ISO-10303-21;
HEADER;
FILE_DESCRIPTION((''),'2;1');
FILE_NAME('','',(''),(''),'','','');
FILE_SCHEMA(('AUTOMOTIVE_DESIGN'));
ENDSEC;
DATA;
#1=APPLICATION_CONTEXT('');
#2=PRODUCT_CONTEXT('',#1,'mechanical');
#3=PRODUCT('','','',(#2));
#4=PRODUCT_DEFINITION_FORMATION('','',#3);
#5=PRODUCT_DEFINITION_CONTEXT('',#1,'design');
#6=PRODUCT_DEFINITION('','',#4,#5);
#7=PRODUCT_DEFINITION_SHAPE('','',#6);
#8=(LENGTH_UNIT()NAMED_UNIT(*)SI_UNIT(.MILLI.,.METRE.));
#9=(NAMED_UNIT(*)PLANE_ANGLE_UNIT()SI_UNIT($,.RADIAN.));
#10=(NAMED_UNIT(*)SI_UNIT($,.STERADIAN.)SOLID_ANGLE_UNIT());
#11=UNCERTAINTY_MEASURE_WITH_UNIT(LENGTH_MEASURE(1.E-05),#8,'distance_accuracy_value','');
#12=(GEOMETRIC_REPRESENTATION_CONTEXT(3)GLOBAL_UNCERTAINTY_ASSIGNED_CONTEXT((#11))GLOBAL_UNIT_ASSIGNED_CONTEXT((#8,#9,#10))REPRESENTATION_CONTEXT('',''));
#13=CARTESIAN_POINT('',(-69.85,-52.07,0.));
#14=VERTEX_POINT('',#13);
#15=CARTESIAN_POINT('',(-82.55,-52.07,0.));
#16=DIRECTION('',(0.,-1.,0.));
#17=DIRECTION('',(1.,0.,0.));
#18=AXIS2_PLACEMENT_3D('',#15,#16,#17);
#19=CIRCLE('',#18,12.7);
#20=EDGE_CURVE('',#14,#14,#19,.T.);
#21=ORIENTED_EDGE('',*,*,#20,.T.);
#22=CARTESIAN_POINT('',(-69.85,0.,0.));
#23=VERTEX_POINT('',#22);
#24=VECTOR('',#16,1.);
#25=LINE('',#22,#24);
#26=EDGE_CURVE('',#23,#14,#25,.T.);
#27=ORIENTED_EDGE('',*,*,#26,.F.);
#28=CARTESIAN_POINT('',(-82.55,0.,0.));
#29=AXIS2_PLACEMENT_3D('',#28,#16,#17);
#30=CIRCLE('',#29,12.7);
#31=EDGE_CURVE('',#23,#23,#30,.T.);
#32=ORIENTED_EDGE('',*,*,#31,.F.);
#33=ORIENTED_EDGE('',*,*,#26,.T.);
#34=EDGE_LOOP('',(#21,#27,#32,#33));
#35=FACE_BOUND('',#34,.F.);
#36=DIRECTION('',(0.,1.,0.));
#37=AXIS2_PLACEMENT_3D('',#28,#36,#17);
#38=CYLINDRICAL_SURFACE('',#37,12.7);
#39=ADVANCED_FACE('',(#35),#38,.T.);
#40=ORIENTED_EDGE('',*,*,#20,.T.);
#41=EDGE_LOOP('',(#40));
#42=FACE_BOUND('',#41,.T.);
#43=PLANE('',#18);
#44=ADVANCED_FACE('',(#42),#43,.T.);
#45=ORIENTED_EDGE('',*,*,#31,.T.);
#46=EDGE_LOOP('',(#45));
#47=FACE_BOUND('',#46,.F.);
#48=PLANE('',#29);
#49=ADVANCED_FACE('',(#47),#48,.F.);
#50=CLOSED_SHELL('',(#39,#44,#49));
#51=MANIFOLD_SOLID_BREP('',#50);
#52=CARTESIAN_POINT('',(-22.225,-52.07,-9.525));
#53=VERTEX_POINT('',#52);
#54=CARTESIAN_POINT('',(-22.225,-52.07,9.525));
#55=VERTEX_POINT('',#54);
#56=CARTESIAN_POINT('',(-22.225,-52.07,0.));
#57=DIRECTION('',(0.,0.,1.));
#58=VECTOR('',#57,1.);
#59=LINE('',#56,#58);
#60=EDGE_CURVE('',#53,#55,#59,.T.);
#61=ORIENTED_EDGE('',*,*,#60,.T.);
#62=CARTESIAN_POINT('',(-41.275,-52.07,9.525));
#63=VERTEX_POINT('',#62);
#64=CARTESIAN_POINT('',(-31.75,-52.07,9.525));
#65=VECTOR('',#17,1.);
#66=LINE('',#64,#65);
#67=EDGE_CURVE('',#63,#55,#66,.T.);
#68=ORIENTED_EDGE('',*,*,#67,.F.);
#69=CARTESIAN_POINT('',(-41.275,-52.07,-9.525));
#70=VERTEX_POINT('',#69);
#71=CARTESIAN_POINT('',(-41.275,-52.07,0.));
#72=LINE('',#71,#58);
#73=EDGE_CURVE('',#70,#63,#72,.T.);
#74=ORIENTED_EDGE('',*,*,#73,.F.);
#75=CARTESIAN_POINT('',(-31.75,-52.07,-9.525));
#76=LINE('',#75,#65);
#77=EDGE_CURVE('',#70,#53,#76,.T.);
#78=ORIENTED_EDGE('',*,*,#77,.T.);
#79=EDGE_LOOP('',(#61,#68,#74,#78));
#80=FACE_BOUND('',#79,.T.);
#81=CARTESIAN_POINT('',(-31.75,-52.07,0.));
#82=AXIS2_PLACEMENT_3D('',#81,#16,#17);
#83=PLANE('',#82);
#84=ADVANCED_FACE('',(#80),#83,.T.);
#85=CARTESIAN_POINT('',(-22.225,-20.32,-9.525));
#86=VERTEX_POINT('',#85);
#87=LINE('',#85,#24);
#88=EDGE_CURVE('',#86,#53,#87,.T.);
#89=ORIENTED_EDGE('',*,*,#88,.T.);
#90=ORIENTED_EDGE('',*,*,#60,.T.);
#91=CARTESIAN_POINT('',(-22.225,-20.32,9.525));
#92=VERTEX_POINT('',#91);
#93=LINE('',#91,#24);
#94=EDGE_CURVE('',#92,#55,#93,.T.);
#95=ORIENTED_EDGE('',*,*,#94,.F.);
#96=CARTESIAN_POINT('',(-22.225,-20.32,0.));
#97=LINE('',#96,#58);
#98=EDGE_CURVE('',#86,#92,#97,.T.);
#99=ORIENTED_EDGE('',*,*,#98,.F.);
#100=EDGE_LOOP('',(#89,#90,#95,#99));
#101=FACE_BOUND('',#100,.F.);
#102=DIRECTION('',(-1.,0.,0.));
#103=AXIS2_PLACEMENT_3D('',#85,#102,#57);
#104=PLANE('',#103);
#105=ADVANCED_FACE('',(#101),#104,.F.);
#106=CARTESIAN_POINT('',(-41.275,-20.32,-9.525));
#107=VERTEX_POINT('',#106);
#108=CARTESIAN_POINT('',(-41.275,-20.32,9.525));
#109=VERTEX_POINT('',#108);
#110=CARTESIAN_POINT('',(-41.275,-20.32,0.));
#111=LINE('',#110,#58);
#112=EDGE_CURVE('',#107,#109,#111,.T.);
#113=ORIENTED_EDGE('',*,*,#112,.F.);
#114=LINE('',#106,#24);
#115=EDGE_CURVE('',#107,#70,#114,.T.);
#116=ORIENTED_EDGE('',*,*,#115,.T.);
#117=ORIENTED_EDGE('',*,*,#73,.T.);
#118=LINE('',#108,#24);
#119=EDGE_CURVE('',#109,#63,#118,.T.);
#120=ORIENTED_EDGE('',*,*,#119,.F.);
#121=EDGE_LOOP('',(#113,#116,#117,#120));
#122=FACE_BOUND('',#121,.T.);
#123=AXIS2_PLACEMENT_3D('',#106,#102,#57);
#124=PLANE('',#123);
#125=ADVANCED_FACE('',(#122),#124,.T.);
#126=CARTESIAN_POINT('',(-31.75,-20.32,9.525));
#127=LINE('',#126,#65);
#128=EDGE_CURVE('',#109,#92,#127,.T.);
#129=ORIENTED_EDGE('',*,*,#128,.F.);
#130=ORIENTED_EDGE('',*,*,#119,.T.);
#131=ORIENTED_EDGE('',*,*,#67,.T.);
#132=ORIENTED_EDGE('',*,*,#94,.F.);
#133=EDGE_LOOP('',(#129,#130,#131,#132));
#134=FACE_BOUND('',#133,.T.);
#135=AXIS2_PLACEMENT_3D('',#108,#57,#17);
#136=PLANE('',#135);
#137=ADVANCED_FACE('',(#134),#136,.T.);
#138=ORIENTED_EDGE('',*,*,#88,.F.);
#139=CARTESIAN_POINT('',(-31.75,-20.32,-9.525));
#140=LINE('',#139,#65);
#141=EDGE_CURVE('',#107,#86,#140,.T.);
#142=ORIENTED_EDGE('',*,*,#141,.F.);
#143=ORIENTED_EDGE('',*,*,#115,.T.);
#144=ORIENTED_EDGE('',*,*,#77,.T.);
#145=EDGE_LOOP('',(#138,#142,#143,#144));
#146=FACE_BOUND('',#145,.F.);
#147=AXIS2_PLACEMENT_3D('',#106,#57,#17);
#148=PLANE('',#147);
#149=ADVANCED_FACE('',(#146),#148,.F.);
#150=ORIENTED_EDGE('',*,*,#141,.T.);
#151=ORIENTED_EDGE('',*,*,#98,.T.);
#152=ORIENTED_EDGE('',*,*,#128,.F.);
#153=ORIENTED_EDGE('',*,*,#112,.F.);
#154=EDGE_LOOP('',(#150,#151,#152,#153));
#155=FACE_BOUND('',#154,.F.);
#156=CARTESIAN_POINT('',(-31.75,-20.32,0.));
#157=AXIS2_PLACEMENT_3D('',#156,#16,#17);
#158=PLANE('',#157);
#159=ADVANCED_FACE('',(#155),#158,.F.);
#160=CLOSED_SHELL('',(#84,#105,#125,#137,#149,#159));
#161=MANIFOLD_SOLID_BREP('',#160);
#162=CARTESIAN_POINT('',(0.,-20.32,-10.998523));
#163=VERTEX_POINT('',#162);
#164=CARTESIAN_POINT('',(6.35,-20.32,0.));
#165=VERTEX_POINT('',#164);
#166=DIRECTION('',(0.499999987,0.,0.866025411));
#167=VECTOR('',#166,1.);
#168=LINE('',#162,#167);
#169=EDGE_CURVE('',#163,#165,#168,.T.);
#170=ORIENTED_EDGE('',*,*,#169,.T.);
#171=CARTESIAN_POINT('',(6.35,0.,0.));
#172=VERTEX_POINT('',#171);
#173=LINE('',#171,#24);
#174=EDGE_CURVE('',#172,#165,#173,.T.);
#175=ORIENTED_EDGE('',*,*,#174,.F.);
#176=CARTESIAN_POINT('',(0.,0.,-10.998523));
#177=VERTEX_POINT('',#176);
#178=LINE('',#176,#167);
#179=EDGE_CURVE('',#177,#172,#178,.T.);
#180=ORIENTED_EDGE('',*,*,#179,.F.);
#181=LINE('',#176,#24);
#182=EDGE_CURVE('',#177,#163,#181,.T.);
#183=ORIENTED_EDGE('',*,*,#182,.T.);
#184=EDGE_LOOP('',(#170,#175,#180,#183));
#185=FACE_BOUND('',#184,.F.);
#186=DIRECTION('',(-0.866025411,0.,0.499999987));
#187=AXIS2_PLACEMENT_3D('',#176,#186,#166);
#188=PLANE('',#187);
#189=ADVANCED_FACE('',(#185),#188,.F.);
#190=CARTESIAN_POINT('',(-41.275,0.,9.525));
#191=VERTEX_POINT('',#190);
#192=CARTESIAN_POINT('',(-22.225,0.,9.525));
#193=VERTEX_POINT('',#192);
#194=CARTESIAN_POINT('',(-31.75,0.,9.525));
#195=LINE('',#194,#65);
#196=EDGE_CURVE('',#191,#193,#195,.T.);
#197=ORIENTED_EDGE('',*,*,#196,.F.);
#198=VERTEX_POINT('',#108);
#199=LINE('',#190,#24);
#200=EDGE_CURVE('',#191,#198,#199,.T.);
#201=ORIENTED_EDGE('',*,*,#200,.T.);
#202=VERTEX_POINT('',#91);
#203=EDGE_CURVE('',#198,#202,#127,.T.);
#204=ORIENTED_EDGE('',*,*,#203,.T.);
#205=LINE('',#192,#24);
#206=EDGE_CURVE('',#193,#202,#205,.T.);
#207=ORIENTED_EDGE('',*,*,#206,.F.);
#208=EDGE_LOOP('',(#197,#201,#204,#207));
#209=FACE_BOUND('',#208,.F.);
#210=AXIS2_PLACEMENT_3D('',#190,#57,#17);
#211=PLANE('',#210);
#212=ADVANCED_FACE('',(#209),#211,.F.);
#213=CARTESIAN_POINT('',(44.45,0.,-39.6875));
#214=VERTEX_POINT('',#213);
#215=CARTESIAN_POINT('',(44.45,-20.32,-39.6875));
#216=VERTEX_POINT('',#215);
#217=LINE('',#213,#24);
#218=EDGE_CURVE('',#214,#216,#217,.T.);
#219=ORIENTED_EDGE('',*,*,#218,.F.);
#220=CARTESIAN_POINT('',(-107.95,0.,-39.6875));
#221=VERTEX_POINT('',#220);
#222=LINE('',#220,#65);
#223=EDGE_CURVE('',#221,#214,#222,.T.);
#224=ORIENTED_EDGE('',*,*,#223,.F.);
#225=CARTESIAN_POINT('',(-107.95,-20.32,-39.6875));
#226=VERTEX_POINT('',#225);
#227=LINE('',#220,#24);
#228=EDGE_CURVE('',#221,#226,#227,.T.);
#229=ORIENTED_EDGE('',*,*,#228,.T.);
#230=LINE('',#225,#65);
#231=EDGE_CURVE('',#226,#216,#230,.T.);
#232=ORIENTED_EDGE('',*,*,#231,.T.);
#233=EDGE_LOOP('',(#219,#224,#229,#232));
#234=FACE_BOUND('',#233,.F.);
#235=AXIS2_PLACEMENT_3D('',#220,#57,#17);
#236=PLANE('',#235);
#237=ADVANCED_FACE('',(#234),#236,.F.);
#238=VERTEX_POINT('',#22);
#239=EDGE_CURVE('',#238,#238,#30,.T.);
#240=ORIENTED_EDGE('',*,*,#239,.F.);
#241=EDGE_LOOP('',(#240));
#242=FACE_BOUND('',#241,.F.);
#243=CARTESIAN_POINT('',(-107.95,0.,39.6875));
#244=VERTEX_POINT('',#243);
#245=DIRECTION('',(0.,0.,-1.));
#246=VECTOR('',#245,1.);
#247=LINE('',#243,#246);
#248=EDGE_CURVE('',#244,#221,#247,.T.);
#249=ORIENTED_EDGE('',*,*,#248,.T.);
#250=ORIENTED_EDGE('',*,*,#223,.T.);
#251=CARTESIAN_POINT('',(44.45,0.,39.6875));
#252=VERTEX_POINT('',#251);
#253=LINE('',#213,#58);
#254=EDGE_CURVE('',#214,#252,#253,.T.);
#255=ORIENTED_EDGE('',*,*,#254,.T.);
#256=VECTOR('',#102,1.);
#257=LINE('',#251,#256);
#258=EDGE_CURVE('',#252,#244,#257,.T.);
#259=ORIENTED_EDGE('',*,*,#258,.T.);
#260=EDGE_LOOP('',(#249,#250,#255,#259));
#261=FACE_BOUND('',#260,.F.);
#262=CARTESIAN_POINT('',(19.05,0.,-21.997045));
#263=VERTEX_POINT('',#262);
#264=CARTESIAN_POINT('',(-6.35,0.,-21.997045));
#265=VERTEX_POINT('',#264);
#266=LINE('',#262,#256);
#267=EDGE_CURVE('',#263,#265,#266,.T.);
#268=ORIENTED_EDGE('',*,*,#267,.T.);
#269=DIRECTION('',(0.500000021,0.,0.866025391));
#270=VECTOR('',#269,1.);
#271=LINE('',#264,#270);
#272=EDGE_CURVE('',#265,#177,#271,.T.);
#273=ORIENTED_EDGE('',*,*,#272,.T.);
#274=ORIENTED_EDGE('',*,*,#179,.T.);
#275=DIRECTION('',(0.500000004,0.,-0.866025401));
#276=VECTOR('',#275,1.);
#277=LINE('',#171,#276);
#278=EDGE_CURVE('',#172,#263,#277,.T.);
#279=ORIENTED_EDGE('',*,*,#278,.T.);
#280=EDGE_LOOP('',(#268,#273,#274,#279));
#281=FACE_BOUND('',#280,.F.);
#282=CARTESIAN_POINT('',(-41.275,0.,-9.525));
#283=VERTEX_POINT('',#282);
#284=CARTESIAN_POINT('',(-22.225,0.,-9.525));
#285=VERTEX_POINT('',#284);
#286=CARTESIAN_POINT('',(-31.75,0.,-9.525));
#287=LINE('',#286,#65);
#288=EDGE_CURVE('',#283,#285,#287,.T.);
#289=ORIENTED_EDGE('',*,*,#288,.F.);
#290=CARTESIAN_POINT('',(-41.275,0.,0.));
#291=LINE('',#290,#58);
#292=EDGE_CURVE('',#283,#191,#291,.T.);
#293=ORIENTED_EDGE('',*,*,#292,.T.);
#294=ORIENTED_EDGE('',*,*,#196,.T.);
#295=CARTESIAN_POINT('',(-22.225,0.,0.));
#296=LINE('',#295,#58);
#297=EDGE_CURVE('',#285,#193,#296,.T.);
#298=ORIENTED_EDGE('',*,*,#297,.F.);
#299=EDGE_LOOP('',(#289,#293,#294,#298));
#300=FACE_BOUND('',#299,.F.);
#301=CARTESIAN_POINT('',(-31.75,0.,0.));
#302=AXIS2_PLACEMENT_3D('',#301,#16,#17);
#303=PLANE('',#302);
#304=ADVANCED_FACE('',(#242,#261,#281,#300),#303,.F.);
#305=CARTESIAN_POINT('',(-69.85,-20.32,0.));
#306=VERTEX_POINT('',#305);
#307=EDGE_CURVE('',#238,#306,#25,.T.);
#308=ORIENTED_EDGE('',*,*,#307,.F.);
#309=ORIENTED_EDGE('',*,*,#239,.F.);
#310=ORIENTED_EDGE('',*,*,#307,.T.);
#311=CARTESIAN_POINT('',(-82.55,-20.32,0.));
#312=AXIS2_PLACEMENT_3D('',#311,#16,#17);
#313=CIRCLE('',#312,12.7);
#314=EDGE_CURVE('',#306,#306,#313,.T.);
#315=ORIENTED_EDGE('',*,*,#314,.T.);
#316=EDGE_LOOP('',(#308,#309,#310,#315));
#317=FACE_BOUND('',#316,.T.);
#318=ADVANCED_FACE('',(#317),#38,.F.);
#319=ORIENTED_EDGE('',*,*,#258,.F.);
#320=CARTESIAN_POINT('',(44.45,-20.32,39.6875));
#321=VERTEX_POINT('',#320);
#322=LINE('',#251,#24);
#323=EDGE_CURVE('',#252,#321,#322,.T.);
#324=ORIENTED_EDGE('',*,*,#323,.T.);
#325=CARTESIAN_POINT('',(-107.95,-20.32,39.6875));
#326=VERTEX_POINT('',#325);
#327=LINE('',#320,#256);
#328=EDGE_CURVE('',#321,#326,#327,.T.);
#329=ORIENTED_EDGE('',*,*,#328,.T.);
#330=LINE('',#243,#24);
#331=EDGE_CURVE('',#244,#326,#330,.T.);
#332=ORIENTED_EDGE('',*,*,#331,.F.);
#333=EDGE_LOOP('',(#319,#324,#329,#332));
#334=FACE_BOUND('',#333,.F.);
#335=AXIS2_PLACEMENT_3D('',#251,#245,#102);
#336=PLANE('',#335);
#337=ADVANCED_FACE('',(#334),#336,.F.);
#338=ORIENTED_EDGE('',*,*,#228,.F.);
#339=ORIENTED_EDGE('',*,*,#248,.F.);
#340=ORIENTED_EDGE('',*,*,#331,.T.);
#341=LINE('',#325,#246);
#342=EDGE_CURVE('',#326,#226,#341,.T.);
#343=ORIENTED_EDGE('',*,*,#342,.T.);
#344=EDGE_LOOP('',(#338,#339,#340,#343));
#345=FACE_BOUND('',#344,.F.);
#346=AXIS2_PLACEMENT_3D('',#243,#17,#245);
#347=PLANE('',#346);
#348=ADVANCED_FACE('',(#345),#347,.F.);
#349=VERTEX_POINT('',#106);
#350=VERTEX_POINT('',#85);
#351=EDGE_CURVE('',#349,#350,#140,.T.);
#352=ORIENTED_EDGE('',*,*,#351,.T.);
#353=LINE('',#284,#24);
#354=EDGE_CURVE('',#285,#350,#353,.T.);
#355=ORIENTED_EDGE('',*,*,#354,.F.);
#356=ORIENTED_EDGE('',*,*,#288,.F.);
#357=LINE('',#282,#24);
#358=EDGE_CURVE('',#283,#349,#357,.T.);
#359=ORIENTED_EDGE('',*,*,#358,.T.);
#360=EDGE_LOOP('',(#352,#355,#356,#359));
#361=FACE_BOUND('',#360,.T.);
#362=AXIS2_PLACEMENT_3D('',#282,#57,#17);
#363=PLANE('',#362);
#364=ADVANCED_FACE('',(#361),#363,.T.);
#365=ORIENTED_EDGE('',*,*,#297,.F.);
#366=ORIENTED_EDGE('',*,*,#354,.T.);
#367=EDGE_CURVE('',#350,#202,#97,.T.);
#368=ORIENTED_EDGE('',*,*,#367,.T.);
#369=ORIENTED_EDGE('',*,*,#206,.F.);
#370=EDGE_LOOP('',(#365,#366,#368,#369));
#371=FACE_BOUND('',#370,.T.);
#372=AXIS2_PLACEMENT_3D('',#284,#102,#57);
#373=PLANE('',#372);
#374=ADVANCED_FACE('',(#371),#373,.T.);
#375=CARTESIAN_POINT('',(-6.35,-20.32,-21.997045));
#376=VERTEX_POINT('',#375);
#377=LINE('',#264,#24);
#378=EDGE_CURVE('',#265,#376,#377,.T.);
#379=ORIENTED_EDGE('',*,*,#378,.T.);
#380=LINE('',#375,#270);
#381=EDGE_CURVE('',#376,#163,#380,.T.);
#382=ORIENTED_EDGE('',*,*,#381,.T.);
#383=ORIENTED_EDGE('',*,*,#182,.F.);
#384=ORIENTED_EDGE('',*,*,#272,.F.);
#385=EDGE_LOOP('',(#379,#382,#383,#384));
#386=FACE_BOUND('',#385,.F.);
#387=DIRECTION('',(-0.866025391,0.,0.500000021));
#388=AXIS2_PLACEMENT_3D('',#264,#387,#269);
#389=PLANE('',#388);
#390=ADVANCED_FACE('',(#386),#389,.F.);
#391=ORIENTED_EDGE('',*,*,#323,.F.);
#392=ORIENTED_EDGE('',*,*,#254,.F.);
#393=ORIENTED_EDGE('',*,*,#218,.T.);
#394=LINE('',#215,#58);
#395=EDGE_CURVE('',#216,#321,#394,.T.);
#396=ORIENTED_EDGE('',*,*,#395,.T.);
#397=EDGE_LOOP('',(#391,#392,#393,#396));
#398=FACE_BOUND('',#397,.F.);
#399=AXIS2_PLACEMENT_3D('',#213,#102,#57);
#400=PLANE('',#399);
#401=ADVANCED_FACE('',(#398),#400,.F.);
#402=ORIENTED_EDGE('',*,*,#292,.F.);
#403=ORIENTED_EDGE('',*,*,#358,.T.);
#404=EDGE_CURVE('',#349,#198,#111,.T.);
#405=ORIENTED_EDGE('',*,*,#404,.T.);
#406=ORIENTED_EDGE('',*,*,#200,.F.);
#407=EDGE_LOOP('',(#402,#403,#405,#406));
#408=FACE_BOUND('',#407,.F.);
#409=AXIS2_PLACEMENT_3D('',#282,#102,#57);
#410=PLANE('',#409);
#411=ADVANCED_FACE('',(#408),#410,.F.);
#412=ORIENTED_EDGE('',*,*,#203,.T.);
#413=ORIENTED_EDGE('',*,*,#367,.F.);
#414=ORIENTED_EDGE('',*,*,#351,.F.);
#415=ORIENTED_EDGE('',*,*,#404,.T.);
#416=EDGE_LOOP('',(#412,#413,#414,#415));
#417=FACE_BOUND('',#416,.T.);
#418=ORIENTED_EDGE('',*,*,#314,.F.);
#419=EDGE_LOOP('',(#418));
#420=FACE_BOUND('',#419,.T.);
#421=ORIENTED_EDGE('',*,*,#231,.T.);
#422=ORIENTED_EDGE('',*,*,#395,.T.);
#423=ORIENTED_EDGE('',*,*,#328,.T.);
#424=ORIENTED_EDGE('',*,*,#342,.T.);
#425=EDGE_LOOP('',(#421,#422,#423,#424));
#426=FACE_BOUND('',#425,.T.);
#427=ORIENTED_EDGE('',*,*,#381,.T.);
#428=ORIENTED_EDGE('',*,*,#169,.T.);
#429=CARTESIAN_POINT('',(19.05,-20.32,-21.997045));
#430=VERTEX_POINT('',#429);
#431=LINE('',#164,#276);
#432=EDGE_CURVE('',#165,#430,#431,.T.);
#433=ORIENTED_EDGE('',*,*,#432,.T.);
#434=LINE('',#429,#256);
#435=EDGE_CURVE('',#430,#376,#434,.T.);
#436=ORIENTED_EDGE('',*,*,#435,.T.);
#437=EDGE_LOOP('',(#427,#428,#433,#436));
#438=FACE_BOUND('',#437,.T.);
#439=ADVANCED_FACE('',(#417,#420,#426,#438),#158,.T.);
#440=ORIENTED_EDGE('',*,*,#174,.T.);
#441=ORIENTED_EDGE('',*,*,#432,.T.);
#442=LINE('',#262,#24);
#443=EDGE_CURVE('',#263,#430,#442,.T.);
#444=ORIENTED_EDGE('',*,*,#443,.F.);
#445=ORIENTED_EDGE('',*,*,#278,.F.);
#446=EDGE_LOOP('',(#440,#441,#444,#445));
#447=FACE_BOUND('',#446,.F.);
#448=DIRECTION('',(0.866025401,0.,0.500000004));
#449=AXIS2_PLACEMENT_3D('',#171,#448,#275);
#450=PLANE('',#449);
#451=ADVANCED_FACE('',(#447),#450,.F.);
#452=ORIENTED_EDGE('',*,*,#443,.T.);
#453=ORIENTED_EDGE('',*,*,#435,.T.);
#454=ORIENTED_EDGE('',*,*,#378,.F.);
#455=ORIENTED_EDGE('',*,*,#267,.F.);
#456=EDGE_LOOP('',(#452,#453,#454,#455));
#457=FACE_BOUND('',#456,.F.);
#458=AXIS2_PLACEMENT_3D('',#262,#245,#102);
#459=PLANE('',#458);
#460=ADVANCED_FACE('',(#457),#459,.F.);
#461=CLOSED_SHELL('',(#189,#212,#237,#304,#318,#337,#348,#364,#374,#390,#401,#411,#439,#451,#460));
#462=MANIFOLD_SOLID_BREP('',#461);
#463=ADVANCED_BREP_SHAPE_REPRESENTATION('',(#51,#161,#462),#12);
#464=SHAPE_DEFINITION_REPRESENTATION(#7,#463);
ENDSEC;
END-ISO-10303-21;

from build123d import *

# Parameters (mm, degrees)
F0_R     = 12.7
F0_W     = 19.05
F0_H     = 19.05
F1_DEPTH = 20.32
F2_DEPTH = 52.07
F3_W     = 19.05
F3_H     = 19.05
F4_DEPTH = 31.75


with BuildPart() as f1:
    # F0 (on Front) → F1 (new body)
    with BuildSketch(Plane.XZ):
        Polygon((-107.95, 39.6875), (-107.95, -39.6875), (0, -39.6875), (44.45, -39.6875), (44.45, 39.6875), align=None)
        Polygon((19.05, -21.997045), (0, -21.997045), (-6.35, -21.997045), (0, -10.998523), (6.35, 0), align=None, mode=Mode.SUBTRACT)
        with Locations((-82.55, 0)):
            Circle(F0_R, mode=Mode.SUBTRACT)
        with Locations((-31.75, 0)):
            Rectangle(F0_W, F0_H, mode=Mode.SUBTRACT)
    extrude(amount=F1_DEPTH)


with BuildPart() as f2:
    # F0 (on Front) → F2 (new body)
    with BuildSketch(Plane.XZ):
        with Locations((-82.55, 0)):
            Circle(F0_R)
    extrude(amount=F2_DEPTH)


with BuildPart() as f4:
    # F3 (on face) → F4 (new body)
    with BuildSketch(Plane.XZ.offset(20.32)):
        with Locations((-31.75, 0)):
            Rectangle(F3_W, F3_H)
    extrude(amount=F4_DEPTH)


solid = Compound([f1.part, f2.part, f4.part])
